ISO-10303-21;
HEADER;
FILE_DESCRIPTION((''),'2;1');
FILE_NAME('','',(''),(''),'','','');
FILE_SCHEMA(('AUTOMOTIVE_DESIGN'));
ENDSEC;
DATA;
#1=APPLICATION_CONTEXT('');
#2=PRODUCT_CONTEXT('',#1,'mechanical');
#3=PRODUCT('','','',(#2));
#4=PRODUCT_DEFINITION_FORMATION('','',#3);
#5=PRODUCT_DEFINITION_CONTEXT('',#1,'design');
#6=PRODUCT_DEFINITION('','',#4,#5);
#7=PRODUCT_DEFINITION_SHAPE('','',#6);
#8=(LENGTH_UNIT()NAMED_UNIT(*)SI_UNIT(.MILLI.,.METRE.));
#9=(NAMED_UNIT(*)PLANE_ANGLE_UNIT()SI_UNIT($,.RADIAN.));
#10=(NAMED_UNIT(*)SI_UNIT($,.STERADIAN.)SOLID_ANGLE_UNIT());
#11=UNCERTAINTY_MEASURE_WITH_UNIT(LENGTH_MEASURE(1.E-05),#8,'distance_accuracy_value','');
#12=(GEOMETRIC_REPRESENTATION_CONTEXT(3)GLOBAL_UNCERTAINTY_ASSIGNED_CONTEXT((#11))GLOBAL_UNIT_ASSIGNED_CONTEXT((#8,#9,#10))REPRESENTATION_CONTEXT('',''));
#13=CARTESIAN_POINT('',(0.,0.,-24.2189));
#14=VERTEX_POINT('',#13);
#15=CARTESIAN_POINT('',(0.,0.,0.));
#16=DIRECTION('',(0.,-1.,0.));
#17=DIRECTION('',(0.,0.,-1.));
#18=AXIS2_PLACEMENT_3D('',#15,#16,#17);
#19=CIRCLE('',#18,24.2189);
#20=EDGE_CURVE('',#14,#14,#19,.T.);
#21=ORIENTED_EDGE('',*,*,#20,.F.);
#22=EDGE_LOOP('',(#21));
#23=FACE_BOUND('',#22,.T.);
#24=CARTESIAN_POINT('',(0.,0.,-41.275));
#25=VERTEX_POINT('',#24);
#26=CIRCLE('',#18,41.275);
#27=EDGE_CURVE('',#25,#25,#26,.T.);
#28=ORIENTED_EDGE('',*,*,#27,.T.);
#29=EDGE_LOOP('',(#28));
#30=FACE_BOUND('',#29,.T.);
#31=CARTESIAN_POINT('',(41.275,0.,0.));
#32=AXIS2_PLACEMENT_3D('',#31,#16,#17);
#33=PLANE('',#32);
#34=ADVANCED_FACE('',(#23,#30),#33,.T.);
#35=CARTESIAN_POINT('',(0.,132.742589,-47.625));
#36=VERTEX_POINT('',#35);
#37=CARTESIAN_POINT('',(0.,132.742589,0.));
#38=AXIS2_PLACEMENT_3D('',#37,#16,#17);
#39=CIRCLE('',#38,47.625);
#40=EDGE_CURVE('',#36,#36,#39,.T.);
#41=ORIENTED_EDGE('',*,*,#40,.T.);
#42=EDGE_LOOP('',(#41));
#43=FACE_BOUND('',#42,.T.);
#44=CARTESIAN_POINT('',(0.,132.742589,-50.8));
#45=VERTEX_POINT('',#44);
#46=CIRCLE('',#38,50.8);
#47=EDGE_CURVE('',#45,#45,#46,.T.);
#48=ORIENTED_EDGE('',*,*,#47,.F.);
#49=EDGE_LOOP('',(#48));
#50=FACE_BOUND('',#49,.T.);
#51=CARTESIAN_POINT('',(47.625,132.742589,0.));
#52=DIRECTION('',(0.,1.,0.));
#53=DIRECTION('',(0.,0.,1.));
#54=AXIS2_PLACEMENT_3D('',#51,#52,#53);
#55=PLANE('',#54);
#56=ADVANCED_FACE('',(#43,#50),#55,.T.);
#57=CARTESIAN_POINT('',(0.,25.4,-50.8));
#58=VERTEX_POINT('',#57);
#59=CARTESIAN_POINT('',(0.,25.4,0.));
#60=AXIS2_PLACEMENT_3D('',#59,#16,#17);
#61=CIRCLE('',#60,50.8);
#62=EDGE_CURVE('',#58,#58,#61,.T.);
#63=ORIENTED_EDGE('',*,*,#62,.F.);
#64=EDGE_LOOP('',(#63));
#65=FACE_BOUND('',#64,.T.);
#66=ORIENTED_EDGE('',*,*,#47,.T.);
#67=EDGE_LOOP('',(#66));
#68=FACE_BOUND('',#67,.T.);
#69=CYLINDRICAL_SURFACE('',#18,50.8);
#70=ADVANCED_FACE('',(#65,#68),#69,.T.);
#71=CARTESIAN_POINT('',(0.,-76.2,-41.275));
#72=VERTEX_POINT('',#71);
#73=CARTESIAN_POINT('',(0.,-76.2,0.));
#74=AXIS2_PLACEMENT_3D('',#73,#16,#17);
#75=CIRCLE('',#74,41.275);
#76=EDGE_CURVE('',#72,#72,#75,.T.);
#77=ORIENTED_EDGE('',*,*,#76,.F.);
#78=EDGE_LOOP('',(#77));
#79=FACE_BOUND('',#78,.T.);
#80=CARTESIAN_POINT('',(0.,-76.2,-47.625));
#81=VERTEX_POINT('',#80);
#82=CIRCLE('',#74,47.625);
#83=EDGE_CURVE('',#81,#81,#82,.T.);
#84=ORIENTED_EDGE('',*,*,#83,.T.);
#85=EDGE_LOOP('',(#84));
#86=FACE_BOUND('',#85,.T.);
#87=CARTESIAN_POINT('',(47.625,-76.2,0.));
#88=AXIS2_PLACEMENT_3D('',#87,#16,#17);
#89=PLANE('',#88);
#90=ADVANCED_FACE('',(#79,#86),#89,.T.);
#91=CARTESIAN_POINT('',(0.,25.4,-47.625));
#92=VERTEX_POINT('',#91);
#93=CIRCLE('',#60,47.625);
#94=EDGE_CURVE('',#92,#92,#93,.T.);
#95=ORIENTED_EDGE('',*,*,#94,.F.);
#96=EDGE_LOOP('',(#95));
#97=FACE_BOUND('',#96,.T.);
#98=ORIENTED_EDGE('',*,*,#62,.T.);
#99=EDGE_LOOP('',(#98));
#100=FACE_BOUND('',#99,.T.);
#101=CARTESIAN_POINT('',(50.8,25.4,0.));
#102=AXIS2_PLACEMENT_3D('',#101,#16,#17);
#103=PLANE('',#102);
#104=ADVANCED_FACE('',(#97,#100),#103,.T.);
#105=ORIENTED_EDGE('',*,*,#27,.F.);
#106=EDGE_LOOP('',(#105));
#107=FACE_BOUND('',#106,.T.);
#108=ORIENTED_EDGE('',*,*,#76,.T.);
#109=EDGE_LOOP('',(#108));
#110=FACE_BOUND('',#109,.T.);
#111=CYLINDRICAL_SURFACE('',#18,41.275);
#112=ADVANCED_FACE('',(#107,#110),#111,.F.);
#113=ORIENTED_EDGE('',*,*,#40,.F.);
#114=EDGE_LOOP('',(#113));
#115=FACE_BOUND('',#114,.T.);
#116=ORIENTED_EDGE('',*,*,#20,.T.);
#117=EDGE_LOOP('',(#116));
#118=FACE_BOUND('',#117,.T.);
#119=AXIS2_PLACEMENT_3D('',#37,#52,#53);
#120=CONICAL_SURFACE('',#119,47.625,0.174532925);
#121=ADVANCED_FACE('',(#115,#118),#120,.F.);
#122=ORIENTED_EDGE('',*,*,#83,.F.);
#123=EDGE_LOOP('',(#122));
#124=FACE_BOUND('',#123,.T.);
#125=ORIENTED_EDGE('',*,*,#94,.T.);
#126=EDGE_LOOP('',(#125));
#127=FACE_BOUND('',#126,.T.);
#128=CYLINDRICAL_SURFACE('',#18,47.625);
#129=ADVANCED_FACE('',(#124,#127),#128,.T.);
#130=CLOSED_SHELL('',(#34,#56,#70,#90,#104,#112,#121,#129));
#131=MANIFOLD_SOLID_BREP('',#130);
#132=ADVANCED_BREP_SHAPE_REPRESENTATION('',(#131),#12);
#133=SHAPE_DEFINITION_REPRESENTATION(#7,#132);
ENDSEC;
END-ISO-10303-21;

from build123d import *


with BuildPart() as part:
    # Sketch1 → Revolve1 (revolve)
    with BuildSketch(Plane.XY):
        Polygon((24.2189, 0), (47.625, 132.742589398), (50.8, 132.742589398), (50.8, 25.4), (47.625, 25.4), (47.625, -76.2), (41.275, -76.2), (41.275, 0), align=None)
    revolve(axis=Axis((0, 0, 0), (0, 1, 0)))


solid = part.part
